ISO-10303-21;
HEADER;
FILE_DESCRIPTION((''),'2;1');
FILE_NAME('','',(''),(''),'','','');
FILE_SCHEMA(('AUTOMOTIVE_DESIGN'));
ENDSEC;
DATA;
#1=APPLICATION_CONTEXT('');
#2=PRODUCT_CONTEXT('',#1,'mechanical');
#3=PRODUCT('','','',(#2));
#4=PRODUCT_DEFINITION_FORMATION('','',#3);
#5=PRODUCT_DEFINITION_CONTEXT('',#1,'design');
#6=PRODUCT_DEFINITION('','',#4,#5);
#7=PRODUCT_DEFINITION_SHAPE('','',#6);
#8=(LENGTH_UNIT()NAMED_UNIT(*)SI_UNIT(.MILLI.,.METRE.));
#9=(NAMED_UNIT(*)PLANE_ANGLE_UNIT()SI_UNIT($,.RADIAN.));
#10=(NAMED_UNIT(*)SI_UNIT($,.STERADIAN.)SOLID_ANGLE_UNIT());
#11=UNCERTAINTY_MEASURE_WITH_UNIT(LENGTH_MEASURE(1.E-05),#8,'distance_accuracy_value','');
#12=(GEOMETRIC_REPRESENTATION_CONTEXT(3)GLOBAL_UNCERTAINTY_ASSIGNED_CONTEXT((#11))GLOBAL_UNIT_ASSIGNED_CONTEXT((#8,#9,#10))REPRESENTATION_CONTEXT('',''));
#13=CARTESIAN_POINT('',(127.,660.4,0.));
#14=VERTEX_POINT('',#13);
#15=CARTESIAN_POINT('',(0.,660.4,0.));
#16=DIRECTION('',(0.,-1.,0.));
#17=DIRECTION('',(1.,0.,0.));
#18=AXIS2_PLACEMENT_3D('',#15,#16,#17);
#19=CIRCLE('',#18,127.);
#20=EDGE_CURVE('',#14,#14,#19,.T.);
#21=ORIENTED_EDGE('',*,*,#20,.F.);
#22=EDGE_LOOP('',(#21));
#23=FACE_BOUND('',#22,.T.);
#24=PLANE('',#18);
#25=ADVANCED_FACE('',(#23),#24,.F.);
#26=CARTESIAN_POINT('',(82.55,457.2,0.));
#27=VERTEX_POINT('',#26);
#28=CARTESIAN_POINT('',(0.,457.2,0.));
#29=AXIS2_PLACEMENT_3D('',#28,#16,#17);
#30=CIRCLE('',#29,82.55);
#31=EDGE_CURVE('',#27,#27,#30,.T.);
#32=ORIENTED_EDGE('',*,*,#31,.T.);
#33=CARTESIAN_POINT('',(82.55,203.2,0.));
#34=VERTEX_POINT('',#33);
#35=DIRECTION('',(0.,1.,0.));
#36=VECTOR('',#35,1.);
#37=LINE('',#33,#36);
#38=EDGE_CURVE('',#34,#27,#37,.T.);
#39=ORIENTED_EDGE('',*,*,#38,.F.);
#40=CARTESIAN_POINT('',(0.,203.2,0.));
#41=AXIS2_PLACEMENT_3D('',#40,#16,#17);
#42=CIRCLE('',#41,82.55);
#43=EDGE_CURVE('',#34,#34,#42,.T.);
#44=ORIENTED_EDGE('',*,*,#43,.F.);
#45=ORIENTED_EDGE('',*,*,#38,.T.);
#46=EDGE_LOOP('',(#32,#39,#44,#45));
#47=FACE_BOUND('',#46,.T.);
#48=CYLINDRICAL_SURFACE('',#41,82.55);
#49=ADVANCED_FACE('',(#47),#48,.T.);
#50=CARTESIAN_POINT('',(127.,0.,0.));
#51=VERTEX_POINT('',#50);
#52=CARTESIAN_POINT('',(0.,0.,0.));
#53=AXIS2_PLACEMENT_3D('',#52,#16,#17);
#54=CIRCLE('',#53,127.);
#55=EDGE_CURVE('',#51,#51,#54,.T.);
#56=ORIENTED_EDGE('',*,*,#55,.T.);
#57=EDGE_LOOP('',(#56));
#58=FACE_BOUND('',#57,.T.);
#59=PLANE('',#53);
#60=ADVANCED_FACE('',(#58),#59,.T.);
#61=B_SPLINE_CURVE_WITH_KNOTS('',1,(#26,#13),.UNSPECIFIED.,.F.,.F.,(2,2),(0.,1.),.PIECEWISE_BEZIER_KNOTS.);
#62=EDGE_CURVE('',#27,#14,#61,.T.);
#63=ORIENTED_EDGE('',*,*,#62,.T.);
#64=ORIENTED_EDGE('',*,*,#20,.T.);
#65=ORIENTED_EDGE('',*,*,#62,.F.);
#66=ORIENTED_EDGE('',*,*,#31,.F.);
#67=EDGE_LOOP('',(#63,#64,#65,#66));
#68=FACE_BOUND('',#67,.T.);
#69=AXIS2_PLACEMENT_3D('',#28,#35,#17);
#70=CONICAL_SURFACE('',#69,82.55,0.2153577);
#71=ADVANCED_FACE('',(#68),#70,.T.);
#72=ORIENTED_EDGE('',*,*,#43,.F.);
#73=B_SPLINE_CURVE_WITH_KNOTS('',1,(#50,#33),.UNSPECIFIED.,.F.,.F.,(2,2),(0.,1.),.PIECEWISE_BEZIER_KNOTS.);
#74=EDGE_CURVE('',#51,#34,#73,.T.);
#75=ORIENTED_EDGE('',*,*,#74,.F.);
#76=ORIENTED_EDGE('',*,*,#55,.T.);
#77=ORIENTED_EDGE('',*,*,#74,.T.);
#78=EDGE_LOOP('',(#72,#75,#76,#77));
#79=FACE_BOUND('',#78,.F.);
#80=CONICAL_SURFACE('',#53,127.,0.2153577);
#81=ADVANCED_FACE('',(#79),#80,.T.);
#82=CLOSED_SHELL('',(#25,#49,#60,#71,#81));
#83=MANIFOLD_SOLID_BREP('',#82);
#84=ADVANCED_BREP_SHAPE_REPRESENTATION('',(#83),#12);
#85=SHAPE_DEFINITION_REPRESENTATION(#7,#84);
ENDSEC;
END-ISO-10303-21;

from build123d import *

# Parameters (mm, degrees)
F0_R      = 127
F2_R      = 82.55
F4_R      = 82.55
F5_DEPTH  = 254
F5_FACE_R = 82.55
F7_R      = 127


with BuildPart() as f3:
    # F0 (on Front) → F3 section 0
    with BuildSketch(Plane.XZ):
        Circle(F0_R)
    # F2 (on offset) → F3 section 1
    with BuildSketch(Plane.XZ.offset(-203.2)):
        Circle(F2_R)
    loft()

    # F4 (on offset) → F5 (join)
    with BuildSketch(Plane.XZ.offset(-203.2)):
        Circle(F4_R)
    extrude(amount=-F5_DEPTH)

    # F5_face (on face) → F8 section 0
    with BuildSketch(Plane(origin=(0, 457.2, 0), x_dir=(1, 0, 0), z_dir=(0, 1, 0))):
        Circle(F5_FACE_R)
    # F7 (on offset) → F8 section 1
    with BuildSketch(Plane.XZ.offset(-660.4)):
        Circle(F7_R)
    loft()


solid = f3.part
